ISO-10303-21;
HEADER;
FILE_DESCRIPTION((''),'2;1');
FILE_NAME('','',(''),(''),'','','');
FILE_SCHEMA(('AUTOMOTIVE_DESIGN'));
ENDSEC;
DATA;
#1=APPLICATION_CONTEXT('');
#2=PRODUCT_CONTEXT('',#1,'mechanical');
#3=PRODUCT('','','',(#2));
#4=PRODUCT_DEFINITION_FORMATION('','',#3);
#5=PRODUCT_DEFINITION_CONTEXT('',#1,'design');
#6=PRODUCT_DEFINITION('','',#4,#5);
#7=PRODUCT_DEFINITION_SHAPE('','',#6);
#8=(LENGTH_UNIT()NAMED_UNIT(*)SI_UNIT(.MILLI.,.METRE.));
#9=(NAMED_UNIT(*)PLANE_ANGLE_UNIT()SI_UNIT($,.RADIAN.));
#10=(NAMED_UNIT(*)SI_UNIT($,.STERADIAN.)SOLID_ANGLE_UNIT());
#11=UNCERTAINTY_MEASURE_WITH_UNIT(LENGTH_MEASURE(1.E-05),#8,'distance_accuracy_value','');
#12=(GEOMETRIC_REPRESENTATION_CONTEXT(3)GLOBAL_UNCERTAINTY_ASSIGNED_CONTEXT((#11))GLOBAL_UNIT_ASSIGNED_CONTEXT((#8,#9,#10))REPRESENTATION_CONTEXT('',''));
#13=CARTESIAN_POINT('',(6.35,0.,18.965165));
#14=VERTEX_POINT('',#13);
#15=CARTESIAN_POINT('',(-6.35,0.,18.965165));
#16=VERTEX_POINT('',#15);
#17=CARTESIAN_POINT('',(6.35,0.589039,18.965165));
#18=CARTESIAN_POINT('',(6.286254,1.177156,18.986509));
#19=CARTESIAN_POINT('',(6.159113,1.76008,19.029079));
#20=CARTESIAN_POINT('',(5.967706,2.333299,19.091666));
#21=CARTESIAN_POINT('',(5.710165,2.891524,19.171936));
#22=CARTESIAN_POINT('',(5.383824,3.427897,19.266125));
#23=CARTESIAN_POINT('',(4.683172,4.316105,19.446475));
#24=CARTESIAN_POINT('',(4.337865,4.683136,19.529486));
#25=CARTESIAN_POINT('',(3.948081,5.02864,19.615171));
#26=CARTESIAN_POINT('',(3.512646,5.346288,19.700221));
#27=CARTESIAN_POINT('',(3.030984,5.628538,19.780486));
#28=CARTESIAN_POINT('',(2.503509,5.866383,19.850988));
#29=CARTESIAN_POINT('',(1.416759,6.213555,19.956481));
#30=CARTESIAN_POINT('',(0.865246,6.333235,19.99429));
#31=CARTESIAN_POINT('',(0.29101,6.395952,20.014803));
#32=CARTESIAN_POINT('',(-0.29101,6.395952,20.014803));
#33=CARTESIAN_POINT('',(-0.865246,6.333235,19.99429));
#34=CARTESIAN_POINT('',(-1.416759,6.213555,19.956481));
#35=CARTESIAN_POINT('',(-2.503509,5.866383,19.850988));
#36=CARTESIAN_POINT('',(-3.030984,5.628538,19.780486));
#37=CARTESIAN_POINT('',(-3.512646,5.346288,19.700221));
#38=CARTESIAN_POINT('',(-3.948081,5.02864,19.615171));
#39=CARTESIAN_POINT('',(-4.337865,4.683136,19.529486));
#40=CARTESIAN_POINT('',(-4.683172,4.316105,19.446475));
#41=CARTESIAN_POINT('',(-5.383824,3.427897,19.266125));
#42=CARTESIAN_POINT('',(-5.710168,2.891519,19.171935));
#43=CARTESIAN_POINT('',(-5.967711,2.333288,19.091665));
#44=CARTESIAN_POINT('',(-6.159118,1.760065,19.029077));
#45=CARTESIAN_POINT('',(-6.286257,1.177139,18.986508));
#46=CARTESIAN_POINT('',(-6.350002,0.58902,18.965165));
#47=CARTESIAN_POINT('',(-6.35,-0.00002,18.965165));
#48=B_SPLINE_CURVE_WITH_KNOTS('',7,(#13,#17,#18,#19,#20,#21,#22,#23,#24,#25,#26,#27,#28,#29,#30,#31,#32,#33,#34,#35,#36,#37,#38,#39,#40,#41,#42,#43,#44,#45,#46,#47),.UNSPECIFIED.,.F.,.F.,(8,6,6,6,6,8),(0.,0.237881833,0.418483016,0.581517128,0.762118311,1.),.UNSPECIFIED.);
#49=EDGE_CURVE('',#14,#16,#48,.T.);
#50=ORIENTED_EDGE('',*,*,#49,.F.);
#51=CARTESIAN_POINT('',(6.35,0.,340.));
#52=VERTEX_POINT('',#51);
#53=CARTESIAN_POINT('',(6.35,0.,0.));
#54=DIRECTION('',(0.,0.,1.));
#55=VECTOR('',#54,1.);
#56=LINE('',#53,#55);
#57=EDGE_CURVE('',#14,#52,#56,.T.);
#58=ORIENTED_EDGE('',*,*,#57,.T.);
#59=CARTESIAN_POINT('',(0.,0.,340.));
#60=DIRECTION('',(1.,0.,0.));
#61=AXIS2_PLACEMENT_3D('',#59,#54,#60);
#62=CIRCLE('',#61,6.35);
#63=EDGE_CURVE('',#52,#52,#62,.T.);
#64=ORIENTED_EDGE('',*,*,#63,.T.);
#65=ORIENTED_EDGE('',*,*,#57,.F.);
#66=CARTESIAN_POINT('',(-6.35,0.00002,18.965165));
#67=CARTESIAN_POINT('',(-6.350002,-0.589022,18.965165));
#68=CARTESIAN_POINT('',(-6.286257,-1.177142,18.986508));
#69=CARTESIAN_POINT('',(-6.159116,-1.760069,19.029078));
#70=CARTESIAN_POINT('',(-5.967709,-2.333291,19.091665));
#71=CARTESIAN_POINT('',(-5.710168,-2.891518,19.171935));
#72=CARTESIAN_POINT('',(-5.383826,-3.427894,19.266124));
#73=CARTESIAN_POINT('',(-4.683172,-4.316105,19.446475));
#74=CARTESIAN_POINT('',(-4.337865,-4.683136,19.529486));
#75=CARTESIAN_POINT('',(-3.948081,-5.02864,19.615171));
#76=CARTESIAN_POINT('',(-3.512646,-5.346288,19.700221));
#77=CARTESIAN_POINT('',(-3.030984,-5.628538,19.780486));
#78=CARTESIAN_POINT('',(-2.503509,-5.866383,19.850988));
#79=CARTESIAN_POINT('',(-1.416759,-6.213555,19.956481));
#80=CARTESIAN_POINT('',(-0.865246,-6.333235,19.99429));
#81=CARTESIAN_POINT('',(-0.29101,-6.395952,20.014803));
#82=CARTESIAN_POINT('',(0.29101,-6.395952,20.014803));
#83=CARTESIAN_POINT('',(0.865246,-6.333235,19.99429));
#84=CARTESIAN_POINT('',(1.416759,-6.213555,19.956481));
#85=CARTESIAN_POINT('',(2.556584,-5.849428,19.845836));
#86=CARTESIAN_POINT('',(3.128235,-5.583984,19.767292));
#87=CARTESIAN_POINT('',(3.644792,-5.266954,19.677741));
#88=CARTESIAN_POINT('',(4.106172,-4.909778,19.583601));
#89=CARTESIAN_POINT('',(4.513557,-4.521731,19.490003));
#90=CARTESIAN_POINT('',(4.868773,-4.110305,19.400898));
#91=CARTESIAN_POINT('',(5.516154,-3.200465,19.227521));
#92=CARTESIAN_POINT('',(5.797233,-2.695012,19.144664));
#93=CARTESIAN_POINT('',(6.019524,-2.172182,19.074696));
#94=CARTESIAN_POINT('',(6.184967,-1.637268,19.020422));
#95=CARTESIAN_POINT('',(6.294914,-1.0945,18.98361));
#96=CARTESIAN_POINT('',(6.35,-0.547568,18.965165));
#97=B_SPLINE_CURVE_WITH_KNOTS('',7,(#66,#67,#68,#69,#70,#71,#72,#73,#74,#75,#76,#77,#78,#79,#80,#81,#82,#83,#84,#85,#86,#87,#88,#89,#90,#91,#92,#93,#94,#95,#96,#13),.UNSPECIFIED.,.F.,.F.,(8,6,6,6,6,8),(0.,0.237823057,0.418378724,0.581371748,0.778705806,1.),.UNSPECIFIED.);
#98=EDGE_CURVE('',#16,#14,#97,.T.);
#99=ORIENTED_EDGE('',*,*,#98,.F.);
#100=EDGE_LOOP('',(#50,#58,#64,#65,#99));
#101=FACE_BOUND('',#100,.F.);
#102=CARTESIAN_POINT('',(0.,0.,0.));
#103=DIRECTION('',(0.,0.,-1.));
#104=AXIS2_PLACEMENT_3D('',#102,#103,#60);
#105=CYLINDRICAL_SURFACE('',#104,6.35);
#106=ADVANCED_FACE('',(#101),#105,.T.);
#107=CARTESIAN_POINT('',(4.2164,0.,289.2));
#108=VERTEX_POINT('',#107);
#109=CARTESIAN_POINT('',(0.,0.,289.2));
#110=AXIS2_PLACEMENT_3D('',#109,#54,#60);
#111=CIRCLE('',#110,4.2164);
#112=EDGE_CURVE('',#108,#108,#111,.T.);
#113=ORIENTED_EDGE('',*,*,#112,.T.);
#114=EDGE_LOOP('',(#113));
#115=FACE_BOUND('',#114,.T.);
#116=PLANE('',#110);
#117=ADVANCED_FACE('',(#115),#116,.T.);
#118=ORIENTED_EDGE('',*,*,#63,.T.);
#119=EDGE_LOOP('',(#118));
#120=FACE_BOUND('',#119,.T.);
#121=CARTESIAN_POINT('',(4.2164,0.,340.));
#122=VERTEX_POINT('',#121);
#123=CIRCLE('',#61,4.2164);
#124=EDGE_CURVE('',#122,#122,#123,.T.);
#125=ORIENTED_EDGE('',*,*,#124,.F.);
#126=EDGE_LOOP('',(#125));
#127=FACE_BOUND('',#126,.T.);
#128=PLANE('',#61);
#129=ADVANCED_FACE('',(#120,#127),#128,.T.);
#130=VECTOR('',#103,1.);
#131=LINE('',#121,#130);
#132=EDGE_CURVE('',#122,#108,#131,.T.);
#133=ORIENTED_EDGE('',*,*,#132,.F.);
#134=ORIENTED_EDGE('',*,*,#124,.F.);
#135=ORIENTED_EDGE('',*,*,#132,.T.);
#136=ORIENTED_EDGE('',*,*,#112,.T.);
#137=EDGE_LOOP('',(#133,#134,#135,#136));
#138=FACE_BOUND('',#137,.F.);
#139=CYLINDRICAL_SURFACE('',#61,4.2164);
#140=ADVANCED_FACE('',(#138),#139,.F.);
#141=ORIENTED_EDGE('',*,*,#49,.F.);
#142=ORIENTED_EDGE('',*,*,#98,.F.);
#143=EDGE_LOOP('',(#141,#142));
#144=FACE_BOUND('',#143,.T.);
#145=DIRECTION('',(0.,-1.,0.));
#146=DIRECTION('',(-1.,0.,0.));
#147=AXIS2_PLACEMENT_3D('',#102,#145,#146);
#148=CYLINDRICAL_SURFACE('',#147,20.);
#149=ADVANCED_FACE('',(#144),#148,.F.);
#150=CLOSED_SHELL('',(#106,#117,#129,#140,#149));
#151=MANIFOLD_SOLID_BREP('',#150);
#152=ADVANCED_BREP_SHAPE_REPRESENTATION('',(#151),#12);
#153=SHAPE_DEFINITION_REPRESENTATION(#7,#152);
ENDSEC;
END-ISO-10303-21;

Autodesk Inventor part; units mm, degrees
ref_plane "YZ Plane" through (0, 0, 0) normal (1, 0, 0) x (0, 1, 0)
ref_plane "Start Plane" through (0, 0, 0) normal (0, 0, 1) x (1, 0, 0)
ref_plane "End Plane" through (0, 0, 340) normal (0, 0, 1) x (1, 0, 0)
sketch "Sketch" plane through (0, 0, 0) normal (0, 0, 1) x (1, 0, 0)
  circle A0 centre (0, 0) radius 6.35
  dimension "d0" = 12.7
extrude "Body" add sketch "Sketch" along normal up to surface (340 mm away) from surface at 0
sketch "Sketch2" plane through (0, 0, 0) normal (0, 0, 1) x (1, 0, 0)
  line L0 (0, 0) -> (10, 0)
ref_plane "Work Plane3" through (0, 0, 0) normal (0, -1, 0) x (1, 0, 0)
sketch "Sketch4" plane through (0, 0, 0) normal (0, 1, 0) x (-1, 0, 0)
  circle A0 centre (0, 0) radius 20
  dimension "d8" = 40
extrude "Extrusion2" cut sketch "Sketch4" along normal mid plane 25.4
sketch "Sketch5" plane through (0, 0, 340) normal (0, 0, 1) x (1, 0, 0)
  circle A0 centre (0, 0) radius 4.2164
  dimension "d11" = 8.4328
extrude "Extrusion3" cut sketch "Sketch5" against normal blind 50.8
thread "Thread1" size "3/8-24 UNF" class "2B" standard "ANSI Unified Screw Threads" full length
sketch "Sketch3" plane through (0, 0, 0) normal (0, -1, 0) x (1, 0, 0)
  line L0 (-2, 0) -> (12, 0) projected
  line L1 (-2, 340) -> (12, 340) projected
  dimension "d7" = 340
equation "\"d0\" = Diam"
equation "\"d1\" = G_L"
equation "\"Diam\" = 12.7"
equation "\"G_L\" = d7"
equation "\"G_OFFSET_START\" = 0"
equation "\"G_OFFSET_END\" = 0"
equation "\"d5\" = G_OFFSET_END + B_L"
equation "\"B_L\" = 340"
properties part number "ANSI/AISC Rolled Steel - 1/2-13.386, RB" material "Steel, Mild"
